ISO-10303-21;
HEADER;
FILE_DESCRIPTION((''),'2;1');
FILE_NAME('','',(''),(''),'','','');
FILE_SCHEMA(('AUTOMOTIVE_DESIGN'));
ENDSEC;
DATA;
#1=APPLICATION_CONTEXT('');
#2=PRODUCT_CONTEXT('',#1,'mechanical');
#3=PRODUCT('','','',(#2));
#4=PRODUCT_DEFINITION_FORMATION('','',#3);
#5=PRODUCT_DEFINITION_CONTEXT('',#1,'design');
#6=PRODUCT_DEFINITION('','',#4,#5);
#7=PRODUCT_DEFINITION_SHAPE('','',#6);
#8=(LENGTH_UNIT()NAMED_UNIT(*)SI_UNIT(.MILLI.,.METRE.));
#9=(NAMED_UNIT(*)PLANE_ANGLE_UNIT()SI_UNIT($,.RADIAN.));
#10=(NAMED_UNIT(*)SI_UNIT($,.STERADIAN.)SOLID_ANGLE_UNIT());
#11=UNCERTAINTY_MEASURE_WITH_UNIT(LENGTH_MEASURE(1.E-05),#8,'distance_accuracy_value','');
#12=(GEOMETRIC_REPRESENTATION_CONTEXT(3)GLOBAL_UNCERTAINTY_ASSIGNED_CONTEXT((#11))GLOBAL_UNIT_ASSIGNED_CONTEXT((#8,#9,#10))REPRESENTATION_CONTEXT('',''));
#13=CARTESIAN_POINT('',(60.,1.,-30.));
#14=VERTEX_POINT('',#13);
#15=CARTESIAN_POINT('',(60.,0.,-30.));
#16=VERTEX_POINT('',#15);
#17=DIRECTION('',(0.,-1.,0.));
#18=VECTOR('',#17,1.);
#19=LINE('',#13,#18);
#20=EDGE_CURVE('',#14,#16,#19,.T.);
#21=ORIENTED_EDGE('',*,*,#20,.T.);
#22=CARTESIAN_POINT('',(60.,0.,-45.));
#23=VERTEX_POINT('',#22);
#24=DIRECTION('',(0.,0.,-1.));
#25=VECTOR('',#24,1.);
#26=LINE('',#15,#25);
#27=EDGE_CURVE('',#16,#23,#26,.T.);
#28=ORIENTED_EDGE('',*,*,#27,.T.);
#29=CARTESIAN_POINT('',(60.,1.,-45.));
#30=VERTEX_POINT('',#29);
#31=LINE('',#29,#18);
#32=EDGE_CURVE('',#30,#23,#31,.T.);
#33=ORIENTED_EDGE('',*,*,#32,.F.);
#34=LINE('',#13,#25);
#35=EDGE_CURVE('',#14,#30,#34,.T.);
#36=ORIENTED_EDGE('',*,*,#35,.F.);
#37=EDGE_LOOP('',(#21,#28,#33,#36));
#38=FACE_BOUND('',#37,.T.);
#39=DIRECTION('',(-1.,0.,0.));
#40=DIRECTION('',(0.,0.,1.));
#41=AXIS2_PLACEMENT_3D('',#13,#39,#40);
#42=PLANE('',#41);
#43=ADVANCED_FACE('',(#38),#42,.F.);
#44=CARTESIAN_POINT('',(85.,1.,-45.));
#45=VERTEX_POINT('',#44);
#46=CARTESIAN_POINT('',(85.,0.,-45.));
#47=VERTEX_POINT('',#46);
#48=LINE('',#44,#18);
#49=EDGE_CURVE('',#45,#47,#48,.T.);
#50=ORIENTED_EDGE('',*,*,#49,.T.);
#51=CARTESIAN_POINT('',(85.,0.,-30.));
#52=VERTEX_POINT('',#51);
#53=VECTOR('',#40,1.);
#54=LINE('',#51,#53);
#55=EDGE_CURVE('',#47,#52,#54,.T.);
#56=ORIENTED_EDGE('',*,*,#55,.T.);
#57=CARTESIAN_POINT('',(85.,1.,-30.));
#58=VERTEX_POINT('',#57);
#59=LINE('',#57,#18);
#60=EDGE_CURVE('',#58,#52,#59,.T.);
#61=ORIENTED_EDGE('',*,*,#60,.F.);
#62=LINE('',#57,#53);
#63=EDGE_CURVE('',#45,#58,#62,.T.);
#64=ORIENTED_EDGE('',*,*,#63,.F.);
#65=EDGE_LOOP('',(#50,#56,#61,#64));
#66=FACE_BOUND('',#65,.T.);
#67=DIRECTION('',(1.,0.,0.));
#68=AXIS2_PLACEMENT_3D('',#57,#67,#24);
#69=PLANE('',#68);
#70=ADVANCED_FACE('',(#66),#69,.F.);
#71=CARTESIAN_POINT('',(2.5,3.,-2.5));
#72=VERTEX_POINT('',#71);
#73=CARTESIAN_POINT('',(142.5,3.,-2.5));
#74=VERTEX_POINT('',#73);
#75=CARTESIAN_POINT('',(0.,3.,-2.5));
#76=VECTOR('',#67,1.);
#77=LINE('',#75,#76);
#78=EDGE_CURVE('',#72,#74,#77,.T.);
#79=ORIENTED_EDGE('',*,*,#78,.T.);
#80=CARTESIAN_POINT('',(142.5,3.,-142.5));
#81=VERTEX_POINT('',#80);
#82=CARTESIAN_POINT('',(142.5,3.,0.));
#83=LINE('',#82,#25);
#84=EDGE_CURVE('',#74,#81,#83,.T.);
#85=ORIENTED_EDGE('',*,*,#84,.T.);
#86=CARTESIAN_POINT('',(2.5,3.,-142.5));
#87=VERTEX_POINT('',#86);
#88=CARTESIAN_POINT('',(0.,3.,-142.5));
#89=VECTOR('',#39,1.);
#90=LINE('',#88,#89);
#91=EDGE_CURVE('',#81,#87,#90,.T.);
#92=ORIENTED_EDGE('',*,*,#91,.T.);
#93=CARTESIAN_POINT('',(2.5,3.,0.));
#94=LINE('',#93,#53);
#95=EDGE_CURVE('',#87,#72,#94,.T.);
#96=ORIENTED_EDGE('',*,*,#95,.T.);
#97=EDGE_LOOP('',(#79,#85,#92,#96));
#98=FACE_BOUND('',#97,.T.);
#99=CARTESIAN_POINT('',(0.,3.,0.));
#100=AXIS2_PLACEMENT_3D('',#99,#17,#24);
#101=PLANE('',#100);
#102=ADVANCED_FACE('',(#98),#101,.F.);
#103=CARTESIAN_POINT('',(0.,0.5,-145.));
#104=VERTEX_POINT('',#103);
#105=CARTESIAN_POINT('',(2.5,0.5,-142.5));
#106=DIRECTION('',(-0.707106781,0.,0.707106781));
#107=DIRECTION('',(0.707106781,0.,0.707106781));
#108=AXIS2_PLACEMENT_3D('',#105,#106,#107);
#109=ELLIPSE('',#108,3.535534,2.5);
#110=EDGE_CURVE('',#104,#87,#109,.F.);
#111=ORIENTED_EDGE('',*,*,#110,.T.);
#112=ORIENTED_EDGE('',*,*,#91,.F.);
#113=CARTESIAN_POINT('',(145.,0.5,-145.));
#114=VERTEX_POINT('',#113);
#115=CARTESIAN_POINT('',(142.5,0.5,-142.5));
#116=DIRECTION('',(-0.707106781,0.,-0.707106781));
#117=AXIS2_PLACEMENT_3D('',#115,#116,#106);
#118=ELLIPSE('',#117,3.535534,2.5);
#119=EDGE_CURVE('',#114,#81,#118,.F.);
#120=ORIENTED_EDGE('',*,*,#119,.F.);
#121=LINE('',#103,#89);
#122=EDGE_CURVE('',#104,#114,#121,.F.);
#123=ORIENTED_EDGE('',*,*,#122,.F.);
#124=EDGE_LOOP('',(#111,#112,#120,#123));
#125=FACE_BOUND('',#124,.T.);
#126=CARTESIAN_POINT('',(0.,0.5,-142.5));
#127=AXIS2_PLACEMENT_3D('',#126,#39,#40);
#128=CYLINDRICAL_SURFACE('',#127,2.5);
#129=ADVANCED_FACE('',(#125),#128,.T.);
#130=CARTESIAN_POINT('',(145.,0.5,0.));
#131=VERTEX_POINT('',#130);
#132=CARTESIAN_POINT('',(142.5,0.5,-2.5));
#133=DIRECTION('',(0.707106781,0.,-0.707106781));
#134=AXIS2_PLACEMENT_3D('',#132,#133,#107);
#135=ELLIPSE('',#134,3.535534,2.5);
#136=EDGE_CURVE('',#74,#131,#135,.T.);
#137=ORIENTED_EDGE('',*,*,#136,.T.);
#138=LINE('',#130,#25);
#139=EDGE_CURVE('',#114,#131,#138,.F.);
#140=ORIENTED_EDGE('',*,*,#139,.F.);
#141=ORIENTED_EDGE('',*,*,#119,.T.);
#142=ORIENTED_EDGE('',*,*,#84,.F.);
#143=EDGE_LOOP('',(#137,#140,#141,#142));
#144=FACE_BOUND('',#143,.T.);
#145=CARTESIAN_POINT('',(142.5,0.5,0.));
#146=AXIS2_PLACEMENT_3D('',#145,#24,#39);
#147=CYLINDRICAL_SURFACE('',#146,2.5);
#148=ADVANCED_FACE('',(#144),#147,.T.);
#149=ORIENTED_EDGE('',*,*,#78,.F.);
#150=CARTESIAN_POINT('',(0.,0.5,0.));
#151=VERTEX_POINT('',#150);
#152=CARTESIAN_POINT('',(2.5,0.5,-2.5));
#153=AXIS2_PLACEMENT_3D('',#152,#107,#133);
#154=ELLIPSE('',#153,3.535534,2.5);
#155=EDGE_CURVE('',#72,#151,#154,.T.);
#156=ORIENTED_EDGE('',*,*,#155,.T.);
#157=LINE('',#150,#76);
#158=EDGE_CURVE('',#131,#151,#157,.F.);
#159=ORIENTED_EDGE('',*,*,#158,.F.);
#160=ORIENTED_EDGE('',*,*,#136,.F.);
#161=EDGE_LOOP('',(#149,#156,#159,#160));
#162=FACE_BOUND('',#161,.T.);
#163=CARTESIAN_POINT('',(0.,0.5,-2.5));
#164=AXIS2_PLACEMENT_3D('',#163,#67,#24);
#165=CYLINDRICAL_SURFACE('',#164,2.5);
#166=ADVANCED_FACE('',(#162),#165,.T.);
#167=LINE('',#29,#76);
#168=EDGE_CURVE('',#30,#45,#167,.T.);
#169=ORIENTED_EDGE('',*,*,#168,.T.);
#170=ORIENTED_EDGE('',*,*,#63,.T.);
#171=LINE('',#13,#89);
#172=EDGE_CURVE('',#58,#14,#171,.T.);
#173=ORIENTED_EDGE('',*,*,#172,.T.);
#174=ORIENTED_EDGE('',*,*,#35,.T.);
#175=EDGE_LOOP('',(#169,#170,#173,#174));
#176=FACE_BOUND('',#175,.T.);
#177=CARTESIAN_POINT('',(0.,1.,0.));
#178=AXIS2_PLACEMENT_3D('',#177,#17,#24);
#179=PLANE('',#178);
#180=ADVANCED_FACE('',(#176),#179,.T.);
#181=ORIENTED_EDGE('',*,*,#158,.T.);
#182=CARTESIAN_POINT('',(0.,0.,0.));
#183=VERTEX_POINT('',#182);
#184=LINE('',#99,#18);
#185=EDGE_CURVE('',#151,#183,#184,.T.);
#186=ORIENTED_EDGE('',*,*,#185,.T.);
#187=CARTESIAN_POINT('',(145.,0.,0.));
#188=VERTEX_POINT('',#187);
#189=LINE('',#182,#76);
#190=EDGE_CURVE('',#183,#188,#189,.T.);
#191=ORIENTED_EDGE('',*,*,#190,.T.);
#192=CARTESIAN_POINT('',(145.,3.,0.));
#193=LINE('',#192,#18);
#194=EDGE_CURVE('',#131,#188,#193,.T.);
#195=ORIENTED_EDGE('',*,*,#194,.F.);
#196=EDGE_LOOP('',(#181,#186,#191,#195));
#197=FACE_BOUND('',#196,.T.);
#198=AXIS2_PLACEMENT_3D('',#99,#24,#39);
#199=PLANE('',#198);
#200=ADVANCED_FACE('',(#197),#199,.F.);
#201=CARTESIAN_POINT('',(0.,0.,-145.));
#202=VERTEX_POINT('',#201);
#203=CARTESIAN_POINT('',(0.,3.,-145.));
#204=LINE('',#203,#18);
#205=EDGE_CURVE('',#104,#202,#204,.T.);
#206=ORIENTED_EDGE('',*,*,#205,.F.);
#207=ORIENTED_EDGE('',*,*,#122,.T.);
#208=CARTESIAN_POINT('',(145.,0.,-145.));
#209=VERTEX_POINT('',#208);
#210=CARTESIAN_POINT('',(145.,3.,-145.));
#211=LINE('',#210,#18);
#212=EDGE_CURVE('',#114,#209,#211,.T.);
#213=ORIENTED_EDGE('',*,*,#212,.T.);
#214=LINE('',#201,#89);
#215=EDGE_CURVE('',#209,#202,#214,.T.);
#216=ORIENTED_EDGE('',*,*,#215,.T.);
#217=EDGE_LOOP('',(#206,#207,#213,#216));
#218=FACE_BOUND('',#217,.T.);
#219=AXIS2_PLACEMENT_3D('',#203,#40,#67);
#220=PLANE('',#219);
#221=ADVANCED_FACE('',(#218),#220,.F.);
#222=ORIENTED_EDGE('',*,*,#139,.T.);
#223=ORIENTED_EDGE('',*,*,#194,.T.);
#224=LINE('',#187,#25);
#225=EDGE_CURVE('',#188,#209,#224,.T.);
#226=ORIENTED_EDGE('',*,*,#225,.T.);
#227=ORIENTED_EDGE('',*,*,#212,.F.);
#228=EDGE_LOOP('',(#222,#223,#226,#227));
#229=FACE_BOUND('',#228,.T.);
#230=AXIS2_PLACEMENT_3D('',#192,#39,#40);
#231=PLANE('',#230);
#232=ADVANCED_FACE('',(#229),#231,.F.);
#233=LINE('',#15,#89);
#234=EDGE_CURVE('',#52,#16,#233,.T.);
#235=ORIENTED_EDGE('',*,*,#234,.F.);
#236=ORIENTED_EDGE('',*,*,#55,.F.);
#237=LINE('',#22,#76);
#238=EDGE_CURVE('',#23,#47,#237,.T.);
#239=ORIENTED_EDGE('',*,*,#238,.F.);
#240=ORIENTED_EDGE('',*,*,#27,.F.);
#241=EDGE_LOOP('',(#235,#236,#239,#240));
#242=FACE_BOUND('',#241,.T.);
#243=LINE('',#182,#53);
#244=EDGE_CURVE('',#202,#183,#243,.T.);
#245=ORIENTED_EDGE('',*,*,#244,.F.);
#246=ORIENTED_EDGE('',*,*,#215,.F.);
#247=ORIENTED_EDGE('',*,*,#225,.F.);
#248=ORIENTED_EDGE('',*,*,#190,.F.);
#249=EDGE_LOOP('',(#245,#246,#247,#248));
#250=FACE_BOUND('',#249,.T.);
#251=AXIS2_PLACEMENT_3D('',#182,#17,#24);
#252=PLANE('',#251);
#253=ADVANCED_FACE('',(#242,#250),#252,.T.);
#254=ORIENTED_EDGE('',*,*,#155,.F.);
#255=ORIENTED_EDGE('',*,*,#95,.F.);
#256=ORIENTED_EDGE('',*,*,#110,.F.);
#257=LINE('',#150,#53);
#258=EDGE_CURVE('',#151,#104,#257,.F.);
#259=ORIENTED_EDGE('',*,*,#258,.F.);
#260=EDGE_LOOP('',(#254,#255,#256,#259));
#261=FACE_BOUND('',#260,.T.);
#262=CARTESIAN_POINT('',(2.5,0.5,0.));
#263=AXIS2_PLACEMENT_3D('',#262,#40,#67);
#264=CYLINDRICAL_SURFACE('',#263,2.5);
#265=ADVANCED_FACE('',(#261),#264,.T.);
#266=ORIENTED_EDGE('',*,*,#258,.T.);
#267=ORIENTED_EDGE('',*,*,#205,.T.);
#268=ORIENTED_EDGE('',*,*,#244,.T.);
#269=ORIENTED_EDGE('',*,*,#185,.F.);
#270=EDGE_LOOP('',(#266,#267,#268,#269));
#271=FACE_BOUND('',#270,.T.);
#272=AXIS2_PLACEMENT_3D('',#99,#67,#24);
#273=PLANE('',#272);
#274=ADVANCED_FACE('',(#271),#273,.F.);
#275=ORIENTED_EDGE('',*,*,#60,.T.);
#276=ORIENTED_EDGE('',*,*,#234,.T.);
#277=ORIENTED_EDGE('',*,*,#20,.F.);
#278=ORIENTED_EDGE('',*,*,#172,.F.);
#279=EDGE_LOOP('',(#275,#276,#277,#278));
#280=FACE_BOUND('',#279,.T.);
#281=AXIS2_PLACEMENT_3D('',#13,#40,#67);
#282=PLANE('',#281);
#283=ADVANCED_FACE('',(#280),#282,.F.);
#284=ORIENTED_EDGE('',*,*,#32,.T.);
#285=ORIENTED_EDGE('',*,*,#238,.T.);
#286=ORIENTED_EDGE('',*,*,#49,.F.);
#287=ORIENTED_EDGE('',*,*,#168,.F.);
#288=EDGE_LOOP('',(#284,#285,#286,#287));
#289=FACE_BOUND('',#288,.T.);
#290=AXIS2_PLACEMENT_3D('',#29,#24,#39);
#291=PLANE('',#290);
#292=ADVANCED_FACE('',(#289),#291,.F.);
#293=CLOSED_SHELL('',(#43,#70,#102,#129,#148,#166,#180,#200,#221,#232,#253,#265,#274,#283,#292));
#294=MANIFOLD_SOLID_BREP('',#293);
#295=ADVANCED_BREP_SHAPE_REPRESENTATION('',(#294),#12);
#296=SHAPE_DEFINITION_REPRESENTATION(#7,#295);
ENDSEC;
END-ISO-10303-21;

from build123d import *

# Parameters (mm, degrees)
SKETCH1_W           = 145
SKETCH1_H           = 145
BOSS_EXTRUDE1_DEPTH = 3
FILLET1_R           = 2.5
SKETCH2_W           = 25
SKETCH2_H           = 15
CUT_EXTRUDE1_DEPTH  = 1


with BuildPart() as part:
    # Sketch1 → Boss-Extrude1 (new body)
    with BuildSketch(Plane(origin=(0, 0, 0), x_dir=(1, 0, 0), z_dir=(0, 1, 0))):
        with Locations((72.5, 72.5)):
            Rectangle(SKETCH1_W, SKETCH1_H)
    extrude(amount=BOSS_EXTRUDE1_DEPTH)

    # Fillet1
    fillet1_edges = [part.edges().sort_by_distance(p)[0] for p in [
        (145, 3, -72.5),
        (72.5, 3, -145),
        (0, 3, -72.5),
        (72.5, 3, 0),
    ]]
    fillet(fillet1_edges, radius=FILLET1_R)

    # Sketch2 → Cut-Extrude1 (cut)
    with BuildSketch(Plane.XZ):
        with Locations((72.5, -37.5)):
            Rectangle(SKETCH2_W, SKETCH2_H)
    extrude(amount=-CUT_EXTRUDE1_DEPTH, mode=Mode.SUBTRACT)


solid = part.part
